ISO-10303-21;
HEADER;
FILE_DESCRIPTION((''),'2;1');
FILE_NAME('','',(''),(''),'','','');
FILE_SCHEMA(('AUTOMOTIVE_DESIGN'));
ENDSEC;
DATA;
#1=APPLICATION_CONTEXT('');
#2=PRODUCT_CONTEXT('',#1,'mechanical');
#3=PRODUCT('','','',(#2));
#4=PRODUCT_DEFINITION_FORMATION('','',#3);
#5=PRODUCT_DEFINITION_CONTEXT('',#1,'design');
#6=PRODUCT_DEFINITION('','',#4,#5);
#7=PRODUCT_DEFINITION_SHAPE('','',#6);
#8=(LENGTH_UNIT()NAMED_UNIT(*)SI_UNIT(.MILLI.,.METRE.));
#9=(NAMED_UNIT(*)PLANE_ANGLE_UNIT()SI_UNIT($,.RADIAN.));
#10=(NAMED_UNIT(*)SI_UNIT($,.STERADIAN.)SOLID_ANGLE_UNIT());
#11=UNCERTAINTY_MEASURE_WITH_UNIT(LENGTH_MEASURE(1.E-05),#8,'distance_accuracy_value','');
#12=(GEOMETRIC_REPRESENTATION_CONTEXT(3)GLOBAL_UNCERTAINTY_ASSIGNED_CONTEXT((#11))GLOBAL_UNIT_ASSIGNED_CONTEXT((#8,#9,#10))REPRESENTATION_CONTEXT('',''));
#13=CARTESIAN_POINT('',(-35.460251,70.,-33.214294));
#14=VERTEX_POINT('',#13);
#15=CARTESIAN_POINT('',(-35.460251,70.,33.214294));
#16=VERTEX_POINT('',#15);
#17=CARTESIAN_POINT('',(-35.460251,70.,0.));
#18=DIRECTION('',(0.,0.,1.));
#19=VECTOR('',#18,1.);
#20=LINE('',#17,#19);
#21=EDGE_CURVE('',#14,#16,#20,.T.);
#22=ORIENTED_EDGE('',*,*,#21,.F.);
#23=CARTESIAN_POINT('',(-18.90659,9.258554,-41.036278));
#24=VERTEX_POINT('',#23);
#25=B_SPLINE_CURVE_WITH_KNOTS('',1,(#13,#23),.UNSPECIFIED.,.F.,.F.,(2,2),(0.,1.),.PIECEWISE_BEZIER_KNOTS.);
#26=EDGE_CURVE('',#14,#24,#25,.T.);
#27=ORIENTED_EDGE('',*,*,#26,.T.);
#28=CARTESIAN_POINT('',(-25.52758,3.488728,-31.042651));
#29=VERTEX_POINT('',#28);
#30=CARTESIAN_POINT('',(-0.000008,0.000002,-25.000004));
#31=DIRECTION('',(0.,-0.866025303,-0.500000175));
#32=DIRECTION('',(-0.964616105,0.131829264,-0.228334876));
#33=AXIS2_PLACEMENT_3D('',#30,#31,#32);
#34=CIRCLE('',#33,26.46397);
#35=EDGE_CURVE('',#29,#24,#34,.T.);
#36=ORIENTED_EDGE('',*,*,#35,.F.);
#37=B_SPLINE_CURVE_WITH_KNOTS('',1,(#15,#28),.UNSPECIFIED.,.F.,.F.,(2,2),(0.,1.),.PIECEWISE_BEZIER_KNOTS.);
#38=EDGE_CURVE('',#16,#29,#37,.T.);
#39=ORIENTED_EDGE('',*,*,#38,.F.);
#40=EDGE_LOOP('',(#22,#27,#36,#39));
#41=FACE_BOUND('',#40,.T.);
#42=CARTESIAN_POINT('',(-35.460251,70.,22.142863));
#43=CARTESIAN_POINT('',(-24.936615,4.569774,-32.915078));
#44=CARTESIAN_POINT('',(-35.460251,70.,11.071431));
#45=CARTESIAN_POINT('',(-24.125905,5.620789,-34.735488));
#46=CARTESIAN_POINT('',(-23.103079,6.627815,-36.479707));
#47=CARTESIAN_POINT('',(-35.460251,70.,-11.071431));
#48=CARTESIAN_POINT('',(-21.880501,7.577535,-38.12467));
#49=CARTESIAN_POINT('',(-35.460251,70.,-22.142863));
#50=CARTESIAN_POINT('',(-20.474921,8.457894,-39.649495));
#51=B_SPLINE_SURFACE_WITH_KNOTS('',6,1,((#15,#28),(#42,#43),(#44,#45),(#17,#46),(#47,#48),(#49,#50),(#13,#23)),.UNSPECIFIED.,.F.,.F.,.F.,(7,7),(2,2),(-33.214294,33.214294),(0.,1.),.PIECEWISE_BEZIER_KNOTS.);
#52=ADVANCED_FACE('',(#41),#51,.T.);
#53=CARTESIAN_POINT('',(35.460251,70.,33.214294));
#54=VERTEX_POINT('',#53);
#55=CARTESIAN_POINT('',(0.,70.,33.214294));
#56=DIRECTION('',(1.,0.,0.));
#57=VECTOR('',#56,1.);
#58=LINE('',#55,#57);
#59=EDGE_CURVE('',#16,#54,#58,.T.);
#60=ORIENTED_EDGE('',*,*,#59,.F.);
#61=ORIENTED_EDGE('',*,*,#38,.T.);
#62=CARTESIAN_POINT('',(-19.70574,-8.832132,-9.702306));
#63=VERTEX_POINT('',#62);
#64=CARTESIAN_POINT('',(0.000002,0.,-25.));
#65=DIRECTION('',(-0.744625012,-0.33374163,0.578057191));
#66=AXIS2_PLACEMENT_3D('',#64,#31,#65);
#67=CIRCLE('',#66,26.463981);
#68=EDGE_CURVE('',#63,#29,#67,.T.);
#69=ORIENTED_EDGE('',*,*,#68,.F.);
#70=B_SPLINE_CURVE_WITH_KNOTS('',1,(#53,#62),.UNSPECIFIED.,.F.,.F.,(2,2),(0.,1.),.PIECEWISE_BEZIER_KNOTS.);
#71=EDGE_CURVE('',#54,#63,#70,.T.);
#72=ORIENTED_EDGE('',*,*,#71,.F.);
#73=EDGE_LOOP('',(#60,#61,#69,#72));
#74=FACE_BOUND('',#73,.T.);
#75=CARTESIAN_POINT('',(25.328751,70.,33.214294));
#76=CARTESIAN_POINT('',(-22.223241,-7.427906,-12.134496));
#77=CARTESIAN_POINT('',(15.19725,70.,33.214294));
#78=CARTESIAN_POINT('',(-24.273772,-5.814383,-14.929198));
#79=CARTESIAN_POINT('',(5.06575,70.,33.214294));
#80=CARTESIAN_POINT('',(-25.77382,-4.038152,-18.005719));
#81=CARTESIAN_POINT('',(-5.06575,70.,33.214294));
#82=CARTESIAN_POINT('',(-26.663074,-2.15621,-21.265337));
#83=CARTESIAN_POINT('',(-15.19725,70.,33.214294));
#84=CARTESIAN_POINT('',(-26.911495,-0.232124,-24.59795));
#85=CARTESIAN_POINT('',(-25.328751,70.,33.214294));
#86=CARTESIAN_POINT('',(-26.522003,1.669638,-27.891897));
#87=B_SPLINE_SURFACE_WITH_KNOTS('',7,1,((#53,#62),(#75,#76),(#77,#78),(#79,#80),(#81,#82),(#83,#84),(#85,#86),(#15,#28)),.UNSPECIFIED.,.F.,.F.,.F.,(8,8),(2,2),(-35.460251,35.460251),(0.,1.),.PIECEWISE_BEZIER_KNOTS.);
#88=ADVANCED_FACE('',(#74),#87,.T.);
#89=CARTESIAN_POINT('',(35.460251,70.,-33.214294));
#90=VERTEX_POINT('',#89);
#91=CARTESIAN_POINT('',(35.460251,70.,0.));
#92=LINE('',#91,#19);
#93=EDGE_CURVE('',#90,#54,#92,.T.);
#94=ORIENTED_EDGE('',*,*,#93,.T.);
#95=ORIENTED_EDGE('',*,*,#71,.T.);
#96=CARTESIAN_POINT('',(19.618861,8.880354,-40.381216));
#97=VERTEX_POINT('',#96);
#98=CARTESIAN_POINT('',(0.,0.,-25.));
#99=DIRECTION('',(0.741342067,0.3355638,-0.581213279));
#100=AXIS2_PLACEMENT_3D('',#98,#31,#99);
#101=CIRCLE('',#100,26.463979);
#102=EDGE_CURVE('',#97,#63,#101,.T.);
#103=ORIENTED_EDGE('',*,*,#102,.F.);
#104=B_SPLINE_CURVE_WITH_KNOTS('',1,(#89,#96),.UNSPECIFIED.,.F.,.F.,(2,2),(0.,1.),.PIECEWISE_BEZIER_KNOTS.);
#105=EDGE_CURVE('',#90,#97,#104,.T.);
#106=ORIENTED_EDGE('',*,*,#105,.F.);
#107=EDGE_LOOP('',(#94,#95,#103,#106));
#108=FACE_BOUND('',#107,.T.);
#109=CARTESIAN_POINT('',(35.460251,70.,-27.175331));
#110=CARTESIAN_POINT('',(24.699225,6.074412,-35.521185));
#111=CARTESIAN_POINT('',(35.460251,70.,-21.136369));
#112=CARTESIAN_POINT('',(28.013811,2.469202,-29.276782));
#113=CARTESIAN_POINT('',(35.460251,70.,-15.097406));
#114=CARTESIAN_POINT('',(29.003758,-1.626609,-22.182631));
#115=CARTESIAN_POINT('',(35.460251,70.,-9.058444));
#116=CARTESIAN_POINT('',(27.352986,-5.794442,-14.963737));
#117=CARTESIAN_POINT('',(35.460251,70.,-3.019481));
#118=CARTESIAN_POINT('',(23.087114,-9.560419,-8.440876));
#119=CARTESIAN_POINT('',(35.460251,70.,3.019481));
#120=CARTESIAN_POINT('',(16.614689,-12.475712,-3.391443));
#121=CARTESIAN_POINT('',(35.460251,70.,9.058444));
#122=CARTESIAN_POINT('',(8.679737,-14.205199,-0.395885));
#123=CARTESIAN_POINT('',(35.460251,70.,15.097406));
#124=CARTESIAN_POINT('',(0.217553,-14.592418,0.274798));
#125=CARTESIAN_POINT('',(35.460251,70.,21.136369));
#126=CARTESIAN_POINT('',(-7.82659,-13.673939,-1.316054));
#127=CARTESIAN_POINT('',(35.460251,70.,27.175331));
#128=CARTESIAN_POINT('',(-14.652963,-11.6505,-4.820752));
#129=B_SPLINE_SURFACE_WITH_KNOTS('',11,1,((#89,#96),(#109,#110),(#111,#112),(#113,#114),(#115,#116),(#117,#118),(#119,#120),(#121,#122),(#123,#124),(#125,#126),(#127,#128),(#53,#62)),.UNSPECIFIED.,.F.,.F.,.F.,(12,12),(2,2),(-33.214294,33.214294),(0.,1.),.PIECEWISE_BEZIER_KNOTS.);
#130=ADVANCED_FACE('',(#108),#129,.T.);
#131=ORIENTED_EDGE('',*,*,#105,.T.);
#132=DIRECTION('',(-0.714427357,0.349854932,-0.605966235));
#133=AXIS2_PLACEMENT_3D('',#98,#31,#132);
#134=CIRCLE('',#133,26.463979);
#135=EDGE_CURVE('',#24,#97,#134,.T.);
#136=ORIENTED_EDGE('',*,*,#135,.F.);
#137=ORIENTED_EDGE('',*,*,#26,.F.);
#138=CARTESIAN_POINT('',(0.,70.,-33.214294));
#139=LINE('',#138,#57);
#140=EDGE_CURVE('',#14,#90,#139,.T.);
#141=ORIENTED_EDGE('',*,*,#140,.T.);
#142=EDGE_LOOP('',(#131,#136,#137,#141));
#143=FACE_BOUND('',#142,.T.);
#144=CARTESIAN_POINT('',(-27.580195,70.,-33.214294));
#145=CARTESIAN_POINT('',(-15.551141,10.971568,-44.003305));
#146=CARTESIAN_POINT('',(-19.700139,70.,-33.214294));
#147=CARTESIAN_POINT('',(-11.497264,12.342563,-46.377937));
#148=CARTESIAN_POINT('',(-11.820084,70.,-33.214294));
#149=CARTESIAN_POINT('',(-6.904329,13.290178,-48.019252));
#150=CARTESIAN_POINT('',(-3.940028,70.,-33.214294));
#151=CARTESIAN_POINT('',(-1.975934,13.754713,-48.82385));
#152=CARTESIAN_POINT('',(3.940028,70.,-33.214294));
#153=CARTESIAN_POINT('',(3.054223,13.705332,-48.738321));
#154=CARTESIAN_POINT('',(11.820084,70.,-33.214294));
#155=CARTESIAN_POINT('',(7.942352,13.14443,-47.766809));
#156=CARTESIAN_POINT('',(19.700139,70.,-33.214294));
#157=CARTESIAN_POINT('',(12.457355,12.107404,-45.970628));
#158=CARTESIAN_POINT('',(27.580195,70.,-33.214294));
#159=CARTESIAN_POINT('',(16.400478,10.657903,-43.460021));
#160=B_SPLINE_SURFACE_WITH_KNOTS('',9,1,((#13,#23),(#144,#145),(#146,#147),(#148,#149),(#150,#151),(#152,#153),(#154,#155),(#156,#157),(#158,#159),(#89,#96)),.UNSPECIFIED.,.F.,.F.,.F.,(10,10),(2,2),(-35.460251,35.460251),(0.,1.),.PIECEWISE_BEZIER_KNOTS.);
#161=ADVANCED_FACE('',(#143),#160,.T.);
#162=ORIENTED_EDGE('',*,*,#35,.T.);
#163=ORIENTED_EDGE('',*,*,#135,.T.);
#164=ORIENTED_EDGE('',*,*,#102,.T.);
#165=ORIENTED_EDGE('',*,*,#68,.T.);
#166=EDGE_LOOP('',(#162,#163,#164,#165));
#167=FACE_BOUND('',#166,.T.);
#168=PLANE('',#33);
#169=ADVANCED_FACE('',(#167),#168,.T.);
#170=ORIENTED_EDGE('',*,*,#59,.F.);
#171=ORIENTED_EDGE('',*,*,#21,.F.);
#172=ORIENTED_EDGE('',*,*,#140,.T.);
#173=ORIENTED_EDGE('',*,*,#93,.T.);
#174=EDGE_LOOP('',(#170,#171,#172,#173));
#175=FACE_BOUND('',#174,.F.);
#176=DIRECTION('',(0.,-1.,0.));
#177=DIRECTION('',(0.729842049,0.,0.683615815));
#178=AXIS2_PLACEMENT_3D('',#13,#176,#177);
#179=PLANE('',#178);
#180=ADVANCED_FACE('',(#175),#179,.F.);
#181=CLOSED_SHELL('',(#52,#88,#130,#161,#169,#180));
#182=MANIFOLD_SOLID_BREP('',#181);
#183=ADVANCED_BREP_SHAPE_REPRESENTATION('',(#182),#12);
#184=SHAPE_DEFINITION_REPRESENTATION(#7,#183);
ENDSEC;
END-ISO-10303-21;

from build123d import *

# Parameters (mm, degrees)
SKETCH001_W = 70.920502
SKETCH001_H = 66.428588


with BuildPart() as part:
    # Sketch001 → Loft section 0
    with BuildSketch(Plane.XZ.offset(-70)):
        Rectangle(SKETCH001_W, SKETCH001_H)
    # Sketch → Loft section 1
    with BuildSketch(Plane(origin=(0, 0, -25), x_dir=(1, 0, 0), z_dir=(0, -0.866025, -0.5))):
        with BuildLine():
            ThreePointArc((19.618861, -17.760701), (17.712533, 19.662359), (-19.70574, 17.664258))
            ThreePointArc((-19.70574, 17.664258), (-25.754937, 6.08485), (-25.52758, -6.977453))
            ThreePointArc((-25.52758, -6.977453), (-22.954079, -13.170135), (-18.90659, -18.517101))
            ThreePointArc((-18.90659, -18.517101), (0.519488, -26.45888), (19.618861, -17.760701))
        make_face()
    loft()


solid = part.part
